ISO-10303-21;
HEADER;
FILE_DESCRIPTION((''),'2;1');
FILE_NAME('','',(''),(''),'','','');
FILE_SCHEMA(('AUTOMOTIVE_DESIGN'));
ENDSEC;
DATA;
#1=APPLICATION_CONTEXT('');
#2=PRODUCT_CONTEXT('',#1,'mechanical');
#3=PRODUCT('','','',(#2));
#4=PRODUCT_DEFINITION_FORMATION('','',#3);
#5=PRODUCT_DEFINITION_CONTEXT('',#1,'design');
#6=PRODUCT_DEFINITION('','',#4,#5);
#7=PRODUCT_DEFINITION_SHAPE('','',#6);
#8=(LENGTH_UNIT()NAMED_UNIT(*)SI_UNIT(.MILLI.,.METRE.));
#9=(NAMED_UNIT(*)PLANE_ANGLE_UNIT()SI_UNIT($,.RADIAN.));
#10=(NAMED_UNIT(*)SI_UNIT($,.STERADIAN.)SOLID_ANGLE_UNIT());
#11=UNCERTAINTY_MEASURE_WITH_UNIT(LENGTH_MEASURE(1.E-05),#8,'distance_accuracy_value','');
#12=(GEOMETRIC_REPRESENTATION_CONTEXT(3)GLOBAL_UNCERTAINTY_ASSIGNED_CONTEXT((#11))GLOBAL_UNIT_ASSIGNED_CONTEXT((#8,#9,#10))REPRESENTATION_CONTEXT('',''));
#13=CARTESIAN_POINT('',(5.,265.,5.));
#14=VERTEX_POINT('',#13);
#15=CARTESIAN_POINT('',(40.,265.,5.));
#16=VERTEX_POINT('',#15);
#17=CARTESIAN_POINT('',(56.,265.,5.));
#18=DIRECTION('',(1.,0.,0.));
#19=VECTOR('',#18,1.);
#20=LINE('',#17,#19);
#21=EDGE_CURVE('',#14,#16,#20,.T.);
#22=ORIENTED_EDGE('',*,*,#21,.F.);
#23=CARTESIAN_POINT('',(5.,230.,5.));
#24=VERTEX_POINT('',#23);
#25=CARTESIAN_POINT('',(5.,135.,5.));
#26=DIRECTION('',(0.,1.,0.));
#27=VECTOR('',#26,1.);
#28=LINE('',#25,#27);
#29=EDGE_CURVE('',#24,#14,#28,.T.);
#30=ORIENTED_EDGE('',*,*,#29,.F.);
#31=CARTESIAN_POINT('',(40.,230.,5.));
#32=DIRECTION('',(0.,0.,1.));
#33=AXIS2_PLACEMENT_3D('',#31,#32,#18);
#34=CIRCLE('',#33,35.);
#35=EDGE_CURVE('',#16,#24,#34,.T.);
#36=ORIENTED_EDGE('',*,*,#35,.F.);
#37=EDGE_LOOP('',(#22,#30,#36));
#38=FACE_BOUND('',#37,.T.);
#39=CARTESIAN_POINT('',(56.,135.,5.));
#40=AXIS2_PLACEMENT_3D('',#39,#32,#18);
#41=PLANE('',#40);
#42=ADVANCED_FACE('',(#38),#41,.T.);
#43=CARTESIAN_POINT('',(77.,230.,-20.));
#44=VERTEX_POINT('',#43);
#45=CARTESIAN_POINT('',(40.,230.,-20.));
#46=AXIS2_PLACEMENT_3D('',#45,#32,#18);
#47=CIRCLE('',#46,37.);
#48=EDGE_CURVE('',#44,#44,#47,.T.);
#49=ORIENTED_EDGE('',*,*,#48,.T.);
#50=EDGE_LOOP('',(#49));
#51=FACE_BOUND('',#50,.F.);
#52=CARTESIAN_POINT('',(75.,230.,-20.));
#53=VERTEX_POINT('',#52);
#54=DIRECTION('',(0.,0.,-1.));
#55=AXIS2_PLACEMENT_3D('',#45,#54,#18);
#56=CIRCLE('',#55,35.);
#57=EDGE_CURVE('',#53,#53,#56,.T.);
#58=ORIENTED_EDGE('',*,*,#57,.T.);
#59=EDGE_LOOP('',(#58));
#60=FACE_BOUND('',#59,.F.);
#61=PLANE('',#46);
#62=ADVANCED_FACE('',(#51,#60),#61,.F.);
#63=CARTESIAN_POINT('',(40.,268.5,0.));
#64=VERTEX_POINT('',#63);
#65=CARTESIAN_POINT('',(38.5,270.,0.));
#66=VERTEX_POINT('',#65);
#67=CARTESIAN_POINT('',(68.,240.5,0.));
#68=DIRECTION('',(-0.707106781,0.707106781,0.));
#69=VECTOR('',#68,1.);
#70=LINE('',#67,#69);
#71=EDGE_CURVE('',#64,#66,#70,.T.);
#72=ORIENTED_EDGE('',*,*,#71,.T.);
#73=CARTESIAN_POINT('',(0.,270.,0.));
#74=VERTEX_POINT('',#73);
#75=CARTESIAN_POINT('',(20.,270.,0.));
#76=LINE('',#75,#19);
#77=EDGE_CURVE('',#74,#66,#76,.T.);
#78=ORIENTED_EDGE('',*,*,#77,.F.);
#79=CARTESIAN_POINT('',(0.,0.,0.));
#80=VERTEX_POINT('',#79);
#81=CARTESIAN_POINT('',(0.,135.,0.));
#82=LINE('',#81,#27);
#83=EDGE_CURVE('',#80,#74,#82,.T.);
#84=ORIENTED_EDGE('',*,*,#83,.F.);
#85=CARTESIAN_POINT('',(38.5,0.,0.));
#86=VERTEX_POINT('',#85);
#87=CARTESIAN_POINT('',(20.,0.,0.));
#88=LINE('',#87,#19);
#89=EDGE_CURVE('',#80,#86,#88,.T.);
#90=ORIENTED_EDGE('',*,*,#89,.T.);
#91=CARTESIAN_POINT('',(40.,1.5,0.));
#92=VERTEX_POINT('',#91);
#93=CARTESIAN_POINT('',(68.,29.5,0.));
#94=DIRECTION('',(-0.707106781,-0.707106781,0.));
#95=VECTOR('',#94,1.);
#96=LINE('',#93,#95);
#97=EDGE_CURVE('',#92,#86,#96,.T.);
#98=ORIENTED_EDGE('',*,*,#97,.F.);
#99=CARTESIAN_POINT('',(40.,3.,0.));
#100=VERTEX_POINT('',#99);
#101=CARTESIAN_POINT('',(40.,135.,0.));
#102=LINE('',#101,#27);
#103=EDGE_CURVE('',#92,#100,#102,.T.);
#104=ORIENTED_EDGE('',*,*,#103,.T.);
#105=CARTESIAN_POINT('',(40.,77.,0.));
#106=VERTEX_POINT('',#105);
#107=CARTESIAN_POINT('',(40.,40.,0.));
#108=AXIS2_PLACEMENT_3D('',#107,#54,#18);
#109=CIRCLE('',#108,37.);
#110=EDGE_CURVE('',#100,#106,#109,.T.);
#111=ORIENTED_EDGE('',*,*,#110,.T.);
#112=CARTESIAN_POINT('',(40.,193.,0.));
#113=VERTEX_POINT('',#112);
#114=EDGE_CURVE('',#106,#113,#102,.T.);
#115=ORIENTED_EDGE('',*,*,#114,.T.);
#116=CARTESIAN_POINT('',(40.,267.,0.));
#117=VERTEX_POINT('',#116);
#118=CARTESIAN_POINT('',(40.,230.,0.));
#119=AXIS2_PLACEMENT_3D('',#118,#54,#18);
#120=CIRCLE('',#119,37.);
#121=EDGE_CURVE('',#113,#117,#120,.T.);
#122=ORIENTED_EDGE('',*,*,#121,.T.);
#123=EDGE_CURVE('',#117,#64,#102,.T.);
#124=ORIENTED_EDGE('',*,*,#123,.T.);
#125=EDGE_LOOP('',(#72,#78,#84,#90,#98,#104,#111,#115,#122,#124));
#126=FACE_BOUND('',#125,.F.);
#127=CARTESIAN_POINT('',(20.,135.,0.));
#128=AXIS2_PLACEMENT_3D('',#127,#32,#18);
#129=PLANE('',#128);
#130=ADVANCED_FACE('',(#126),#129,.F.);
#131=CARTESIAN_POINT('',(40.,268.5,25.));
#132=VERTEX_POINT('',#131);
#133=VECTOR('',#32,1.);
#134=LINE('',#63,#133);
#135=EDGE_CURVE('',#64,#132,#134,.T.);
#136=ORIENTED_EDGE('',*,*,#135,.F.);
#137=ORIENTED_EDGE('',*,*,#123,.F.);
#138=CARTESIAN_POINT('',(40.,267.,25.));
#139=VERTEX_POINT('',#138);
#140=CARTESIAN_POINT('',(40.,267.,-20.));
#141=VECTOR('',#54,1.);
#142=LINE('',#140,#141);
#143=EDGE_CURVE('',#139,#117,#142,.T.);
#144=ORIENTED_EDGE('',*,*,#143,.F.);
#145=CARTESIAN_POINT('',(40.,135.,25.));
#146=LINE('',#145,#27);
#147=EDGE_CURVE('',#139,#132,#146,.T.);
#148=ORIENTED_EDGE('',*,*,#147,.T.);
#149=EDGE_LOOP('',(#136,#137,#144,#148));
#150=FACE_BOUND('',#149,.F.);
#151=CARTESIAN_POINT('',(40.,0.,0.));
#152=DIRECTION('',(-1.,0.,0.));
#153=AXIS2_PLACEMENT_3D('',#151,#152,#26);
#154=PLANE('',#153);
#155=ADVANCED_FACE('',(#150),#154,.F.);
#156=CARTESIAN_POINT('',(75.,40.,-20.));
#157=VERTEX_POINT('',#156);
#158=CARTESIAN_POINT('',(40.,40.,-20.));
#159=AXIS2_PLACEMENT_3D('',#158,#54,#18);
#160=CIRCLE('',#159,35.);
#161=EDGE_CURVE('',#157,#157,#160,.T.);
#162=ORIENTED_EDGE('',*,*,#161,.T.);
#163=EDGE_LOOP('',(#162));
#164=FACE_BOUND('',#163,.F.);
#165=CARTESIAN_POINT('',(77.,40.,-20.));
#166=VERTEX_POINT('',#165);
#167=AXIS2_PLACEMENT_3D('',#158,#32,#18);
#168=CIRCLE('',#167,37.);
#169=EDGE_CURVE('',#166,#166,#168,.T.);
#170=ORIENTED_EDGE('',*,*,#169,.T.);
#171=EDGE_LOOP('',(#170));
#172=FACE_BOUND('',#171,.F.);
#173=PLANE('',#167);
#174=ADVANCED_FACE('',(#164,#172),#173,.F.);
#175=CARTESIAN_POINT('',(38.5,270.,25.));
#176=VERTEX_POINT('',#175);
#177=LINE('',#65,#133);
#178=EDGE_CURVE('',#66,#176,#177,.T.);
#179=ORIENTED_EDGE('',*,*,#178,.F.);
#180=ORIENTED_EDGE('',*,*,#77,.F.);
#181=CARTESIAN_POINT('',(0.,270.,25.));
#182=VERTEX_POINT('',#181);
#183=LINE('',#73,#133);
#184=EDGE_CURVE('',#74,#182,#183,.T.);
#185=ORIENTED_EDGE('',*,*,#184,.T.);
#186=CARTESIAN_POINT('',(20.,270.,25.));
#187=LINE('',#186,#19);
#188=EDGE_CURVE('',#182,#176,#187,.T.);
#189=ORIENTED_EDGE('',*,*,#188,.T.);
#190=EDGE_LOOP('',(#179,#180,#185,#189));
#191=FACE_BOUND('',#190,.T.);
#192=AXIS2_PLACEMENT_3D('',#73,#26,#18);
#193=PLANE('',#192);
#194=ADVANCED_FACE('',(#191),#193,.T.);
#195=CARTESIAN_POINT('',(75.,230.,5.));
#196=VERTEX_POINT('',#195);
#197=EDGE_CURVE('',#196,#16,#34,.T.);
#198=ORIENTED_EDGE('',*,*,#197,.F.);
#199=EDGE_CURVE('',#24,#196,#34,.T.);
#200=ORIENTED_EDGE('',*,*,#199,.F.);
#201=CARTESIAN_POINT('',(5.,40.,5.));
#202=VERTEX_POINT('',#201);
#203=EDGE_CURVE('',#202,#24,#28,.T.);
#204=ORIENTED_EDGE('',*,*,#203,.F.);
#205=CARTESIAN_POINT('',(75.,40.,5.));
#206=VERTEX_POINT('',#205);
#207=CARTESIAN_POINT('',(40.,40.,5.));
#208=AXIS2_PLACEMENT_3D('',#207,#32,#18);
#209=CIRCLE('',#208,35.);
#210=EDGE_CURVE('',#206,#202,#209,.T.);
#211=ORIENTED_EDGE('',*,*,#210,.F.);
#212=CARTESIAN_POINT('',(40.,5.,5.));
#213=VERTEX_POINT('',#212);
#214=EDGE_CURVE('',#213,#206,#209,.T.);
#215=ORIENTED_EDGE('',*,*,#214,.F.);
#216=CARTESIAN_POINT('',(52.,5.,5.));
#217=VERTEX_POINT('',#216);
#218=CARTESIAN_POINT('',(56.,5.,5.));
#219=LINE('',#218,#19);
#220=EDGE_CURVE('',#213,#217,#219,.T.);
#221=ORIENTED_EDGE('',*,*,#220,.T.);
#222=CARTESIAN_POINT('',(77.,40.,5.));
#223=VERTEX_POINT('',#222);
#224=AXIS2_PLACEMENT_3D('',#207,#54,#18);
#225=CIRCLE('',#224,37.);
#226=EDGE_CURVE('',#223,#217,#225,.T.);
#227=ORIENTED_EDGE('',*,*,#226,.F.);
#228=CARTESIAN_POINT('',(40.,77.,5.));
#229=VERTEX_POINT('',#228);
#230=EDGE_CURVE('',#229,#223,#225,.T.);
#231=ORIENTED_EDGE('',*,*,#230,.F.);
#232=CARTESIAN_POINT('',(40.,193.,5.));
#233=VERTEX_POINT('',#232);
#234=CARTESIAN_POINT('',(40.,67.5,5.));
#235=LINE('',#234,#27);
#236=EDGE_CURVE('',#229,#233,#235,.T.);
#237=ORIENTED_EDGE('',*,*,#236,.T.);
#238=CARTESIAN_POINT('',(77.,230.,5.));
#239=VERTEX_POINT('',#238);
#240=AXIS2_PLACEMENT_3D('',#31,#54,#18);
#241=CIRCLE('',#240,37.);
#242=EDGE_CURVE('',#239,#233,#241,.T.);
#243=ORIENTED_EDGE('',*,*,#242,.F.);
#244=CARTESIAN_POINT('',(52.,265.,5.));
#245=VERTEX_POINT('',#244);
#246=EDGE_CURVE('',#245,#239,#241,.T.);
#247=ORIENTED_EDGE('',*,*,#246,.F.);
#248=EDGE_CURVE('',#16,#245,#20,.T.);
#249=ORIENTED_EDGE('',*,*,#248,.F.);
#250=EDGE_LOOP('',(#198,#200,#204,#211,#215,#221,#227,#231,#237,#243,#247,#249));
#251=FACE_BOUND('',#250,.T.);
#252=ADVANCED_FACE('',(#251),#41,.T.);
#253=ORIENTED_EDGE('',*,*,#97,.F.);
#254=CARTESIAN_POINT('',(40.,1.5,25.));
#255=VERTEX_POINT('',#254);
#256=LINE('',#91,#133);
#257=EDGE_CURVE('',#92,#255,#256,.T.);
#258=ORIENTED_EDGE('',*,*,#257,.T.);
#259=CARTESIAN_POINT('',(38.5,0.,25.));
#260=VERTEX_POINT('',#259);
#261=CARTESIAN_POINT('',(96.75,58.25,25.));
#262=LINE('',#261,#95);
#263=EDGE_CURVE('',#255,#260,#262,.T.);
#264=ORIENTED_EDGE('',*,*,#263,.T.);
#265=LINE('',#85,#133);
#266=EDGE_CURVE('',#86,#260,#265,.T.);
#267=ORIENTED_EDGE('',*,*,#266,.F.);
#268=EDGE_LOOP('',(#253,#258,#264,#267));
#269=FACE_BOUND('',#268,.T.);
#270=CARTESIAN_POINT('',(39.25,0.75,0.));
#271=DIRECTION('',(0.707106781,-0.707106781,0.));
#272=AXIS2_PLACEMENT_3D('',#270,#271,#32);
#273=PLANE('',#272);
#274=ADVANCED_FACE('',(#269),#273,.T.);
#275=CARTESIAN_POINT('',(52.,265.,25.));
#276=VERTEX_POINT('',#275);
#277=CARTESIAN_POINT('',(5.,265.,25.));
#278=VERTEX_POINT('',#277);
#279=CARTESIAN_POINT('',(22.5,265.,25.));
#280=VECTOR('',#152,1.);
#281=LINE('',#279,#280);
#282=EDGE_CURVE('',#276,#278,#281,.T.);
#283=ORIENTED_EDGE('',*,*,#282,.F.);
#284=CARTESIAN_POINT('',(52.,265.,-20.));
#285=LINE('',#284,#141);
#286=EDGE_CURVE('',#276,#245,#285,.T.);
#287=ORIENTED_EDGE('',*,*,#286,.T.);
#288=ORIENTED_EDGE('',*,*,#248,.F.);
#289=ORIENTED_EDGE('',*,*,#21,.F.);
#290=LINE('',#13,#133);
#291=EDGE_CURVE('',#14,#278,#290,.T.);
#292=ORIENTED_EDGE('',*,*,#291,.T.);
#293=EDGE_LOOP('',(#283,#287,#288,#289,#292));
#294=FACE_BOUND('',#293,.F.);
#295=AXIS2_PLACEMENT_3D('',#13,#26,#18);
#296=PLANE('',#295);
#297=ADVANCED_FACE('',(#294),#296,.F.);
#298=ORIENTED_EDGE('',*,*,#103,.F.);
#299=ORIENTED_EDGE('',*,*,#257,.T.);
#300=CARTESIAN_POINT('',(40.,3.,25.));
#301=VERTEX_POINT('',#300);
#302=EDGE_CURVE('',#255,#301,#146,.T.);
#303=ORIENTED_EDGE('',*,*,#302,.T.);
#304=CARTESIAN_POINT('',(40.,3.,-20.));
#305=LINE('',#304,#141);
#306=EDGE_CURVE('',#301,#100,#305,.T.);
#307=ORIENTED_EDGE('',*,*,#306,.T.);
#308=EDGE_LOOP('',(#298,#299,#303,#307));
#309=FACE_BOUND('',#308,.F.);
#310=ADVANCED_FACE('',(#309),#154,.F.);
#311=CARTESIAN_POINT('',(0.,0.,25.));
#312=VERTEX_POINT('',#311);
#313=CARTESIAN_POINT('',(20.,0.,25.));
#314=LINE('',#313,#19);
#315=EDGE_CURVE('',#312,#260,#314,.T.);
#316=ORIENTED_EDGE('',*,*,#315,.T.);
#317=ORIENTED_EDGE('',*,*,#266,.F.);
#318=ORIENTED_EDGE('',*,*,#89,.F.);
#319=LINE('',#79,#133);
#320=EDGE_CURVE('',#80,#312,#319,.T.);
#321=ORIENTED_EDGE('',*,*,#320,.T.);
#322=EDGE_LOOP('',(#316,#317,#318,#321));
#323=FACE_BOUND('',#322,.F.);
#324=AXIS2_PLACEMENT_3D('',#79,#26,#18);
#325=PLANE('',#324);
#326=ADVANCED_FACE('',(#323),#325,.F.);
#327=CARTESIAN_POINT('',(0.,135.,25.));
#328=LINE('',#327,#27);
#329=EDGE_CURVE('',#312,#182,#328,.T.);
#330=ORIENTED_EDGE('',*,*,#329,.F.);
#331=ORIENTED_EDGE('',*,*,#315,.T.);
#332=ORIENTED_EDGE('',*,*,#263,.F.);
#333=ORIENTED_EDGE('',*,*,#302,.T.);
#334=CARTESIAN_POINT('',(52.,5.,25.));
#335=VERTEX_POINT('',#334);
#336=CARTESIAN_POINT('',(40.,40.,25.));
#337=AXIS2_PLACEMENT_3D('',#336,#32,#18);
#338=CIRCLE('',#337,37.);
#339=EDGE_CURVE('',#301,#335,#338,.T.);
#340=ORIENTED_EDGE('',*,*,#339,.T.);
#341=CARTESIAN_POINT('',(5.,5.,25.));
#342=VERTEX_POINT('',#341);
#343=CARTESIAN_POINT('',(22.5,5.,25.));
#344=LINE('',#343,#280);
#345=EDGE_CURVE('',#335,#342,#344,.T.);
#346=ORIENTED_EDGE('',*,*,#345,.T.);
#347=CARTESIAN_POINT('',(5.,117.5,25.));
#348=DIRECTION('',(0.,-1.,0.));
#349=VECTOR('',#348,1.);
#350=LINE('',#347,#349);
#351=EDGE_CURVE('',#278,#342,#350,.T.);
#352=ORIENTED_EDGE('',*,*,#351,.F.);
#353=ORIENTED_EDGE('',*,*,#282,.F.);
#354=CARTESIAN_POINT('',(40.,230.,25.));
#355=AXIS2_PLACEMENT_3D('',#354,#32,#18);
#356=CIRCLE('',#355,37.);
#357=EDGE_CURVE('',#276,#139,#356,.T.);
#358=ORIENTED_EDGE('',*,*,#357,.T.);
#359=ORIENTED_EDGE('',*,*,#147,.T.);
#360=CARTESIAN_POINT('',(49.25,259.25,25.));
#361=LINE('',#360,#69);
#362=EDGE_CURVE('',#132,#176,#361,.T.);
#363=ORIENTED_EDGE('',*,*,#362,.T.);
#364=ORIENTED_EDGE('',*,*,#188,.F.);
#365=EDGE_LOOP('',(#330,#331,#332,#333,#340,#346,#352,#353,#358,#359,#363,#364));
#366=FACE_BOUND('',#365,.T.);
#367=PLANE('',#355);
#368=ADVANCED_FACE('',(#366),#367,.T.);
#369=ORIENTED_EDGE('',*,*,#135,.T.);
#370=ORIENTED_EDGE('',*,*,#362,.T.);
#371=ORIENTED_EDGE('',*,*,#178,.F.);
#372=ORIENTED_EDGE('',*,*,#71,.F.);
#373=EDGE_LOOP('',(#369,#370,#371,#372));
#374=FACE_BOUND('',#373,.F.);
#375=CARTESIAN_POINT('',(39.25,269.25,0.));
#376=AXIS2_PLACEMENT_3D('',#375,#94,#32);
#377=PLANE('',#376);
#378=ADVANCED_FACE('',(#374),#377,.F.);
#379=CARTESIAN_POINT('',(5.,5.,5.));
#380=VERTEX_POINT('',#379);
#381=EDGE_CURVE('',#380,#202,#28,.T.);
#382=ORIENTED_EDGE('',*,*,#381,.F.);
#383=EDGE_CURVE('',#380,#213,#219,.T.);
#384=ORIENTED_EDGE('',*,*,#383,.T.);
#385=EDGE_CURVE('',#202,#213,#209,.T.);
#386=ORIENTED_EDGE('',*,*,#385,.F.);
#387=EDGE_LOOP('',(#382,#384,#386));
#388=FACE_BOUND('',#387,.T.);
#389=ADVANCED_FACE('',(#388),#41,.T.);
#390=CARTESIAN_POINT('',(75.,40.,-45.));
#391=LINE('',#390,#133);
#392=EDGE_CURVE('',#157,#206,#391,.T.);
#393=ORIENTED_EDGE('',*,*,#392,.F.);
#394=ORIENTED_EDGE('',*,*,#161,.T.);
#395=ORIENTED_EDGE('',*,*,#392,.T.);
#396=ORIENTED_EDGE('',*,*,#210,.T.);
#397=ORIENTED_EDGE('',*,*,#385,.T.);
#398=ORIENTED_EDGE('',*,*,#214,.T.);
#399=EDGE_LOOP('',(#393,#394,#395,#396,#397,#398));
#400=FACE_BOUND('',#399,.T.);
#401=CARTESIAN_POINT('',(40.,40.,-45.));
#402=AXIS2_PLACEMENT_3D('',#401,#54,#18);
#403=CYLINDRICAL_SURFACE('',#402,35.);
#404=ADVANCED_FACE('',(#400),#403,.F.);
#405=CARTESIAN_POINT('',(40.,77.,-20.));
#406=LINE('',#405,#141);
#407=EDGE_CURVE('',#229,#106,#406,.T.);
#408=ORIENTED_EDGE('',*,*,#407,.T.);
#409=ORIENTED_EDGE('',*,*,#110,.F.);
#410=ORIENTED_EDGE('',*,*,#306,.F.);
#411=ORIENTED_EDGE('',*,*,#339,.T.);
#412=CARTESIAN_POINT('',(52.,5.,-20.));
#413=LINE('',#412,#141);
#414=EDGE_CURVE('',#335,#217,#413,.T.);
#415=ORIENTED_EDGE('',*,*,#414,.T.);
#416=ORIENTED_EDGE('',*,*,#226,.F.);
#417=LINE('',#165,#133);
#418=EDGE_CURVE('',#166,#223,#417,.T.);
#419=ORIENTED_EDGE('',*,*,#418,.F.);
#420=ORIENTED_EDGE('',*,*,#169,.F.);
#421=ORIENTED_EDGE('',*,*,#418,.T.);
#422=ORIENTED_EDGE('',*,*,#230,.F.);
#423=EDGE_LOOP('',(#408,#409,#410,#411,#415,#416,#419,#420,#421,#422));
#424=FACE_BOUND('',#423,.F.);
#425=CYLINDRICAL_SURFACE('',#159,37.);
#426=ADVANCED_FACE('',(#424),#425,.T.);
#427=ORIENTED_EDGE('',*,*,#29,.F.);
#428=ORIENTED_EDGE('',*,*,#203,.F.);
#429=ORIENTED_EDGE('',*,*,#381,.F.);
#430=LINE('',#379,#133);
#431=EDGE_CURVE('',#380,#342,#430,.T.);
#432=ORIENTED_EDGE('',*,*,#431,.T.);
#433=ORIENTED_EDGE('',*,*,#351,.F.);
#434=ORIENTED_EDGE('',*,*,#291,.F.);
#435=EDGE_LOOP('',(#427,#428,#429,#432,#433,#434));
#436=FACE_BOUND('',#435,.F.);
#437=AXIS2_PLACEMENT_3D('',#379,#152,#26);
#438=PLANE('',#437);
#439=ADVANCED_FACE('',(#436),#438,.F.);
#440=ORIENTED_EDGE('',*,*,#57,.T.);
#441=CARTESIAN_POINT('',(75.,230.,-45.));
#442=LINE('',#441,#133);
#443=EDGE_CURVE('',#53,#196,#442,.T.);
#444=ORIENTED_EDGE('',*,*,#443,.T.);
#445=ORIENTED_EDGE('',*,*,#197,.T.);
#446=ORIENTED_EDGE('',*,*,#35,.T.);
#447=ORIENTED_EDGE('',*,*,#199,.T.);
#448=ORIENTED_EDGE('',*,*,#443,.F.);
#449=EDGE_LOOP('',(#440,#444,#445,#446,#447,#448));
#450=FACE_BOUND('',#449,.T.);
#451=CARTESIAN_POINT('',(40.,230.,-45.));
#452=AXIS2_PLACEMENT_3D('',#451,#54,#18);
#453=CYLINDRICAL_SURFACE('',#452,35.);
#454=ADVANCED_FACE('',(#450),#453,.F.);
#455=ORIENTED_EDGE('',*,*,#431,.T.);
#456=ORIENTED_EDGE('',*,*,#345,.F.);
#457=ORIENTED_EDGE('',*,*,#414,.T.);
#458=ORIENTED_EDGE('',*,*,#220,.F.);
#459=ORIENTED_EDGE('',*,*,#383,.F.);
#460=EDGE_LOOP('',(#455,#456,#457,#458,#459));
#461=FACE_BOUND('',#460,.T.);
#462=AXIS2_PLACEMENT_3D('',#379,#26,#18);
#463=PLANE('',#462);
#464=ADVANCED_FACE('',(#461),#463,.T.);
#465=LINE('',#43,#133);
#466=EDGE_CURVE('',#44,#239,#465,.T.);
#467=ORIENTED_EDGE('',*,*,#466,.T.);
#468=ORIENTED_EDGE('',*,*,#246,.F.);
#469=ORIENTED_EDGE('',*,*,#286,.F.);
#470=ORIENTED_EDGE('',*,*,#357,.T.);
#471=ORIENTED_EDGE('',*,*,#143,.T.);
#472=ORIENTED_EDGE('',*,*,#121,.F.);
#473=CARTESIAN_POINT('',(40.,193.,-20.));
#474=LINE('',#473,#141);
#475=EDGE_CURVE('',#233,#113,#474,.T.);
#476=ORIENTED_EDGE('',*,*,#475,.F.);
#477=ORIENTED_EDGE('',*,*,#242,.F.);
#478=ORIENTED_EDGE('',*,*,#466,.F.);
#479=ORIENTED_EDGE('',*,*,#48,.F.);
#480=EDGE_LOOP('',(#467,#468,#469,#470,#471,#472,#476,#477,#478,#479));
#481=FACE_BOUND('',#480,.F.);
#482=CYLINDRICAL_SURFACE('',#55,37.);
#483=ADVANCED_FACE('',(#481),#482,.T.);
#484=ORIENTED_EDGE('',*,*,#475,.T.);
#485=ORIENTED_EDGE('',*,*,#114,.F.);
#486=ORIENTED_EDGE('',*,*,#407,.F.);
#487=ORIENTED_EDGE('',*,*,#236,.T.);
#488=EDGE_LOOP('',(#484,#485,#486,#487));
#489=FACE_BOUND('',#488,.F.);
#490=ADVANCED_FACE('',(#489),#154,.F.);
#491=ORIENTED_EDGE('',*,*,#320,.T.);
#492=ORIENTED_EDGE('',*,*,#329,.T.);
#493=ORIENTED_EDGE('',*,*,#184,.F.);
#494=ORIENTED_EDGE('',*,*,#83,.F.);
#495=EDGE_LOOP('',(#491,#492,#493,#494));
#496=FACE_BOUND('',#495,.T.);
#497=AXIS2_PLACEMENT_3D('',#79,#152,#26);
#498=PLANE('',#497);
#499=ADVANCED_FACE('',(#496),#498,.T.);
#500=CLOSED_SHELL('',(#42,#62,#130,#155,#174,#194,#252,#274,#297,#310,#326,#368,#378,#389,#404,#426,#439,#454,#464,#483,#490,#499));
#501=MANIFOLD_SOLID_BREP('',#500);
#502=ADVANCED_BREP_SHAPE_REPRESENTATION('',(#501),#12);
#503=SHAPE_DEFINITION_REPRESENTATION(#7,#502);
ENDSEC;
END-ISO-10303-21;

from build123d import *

# Parameters (mm, degrees)
CYLINDER002_R     = 35
CYLINDER002_DEPTH = 50
CYLINDER001_R     = 35
CYLINDER001_DEPTH = 50
BOX001_W          = 102
BOX001_H          = 260
BOX001_DEPTH      = 50
CYLINDER_R        = 37
CYLINDER_DEPTH    = 45
CYLINDER003_R     = 37
CYLINDER003_DEPTH = 45
BOX_W             = 40
BOX_H             = 270
BOX_DEPTH         = 25
CHAMFER_SIZE      = 1.5


with BuildPart() as cylinder002:
    # Cylinder002 → Cylinder002 (new body)
    with BuildSketch(Plane(origin=(40, 230, -45), x_dir=(1, 0, 0), z_dir=(0, 0, 1))):
        Circle(CYLINDER002_R)
    extrude(amount=CYLINDER002_DEPTH)


with BuildPart() as cylinder001:
    # Cylinder001 → Cylinder001 (new body)
    with BuildSketch(Plane(origin=(40, 40, -45), x_dir=(1, 0, 0), z_dir=(0, 0, 1))):
        Circle(CYLINDER001_R)
    extrude(amount=CYLINDER001_DEPTH)


with BuildPart() as main_cutout:
    # Box001 → Box001 (new body)
    with BuildSketch(Plane(origin=(5, 5, 5), x_dir=(1, 0, 0), z_dir=(0, 0, 1))):
        with Locations((51, 130)):
            Rectangle(BOX001_W, BOX001_H)
    extrude(amount=BOX001_DEPTH)


with BuildPart() as cylinder:
    # Cylinder → Cylinder (new body)
    with BuildSketch(Plane(origin=(40, 40, -20), x_dir=(1, 0, 0), z_dir=(0, 0, 1))):
        Circle(CYLINDER_R)
    extrude(amount=CYLINDER_DEPTH)


with BuildPart() as cylinder003:
    # Cylinder003 → Cylinder003 (new body)
    with BuildSketch(Plane(origin=(40, 230, -20), x_dir=(1, 0, 0), z_dir=(0, 0, 1))):
        Circle(CYLINDER003_R)
    extrude(amount=CYLINDER003_DEPTH)


with BuildPart() as chamfer_body:
    # Box → Box (new body)
    with BuildSketch(Plane.XY):
        with Locations((20, 135)):
            Rectangle(BOX_W, BOX_H)
    extrude(amount=BOX_DEPTH)

    # Fusion: union Cylinder, Cylinder003
    add(cylinder.part)
    add(cylinder003.part)

    # Cut: cut Main cutout
    add(main_cutout.part, mode=Mode.SUBTRACT)

    # Cut001: cut Cylinder001
    add(cylinder001.part, mode=Mode.SUBTRACT)

    # Cut002: cut Cylinder002
    add(cylinder002.part, mode=Mode.SUBTRACT)

    # Chamfer
    chamfer_edges = [chamfer_body.edges().sort_by_distance(p)[0] for p in [
        (40, 0, 12.5),
        (40, 270, 12.5),
    ]]
    chamfer(chamfer_edges, length=CHAMFER_SIZE)


solid = chamfer_body.part
